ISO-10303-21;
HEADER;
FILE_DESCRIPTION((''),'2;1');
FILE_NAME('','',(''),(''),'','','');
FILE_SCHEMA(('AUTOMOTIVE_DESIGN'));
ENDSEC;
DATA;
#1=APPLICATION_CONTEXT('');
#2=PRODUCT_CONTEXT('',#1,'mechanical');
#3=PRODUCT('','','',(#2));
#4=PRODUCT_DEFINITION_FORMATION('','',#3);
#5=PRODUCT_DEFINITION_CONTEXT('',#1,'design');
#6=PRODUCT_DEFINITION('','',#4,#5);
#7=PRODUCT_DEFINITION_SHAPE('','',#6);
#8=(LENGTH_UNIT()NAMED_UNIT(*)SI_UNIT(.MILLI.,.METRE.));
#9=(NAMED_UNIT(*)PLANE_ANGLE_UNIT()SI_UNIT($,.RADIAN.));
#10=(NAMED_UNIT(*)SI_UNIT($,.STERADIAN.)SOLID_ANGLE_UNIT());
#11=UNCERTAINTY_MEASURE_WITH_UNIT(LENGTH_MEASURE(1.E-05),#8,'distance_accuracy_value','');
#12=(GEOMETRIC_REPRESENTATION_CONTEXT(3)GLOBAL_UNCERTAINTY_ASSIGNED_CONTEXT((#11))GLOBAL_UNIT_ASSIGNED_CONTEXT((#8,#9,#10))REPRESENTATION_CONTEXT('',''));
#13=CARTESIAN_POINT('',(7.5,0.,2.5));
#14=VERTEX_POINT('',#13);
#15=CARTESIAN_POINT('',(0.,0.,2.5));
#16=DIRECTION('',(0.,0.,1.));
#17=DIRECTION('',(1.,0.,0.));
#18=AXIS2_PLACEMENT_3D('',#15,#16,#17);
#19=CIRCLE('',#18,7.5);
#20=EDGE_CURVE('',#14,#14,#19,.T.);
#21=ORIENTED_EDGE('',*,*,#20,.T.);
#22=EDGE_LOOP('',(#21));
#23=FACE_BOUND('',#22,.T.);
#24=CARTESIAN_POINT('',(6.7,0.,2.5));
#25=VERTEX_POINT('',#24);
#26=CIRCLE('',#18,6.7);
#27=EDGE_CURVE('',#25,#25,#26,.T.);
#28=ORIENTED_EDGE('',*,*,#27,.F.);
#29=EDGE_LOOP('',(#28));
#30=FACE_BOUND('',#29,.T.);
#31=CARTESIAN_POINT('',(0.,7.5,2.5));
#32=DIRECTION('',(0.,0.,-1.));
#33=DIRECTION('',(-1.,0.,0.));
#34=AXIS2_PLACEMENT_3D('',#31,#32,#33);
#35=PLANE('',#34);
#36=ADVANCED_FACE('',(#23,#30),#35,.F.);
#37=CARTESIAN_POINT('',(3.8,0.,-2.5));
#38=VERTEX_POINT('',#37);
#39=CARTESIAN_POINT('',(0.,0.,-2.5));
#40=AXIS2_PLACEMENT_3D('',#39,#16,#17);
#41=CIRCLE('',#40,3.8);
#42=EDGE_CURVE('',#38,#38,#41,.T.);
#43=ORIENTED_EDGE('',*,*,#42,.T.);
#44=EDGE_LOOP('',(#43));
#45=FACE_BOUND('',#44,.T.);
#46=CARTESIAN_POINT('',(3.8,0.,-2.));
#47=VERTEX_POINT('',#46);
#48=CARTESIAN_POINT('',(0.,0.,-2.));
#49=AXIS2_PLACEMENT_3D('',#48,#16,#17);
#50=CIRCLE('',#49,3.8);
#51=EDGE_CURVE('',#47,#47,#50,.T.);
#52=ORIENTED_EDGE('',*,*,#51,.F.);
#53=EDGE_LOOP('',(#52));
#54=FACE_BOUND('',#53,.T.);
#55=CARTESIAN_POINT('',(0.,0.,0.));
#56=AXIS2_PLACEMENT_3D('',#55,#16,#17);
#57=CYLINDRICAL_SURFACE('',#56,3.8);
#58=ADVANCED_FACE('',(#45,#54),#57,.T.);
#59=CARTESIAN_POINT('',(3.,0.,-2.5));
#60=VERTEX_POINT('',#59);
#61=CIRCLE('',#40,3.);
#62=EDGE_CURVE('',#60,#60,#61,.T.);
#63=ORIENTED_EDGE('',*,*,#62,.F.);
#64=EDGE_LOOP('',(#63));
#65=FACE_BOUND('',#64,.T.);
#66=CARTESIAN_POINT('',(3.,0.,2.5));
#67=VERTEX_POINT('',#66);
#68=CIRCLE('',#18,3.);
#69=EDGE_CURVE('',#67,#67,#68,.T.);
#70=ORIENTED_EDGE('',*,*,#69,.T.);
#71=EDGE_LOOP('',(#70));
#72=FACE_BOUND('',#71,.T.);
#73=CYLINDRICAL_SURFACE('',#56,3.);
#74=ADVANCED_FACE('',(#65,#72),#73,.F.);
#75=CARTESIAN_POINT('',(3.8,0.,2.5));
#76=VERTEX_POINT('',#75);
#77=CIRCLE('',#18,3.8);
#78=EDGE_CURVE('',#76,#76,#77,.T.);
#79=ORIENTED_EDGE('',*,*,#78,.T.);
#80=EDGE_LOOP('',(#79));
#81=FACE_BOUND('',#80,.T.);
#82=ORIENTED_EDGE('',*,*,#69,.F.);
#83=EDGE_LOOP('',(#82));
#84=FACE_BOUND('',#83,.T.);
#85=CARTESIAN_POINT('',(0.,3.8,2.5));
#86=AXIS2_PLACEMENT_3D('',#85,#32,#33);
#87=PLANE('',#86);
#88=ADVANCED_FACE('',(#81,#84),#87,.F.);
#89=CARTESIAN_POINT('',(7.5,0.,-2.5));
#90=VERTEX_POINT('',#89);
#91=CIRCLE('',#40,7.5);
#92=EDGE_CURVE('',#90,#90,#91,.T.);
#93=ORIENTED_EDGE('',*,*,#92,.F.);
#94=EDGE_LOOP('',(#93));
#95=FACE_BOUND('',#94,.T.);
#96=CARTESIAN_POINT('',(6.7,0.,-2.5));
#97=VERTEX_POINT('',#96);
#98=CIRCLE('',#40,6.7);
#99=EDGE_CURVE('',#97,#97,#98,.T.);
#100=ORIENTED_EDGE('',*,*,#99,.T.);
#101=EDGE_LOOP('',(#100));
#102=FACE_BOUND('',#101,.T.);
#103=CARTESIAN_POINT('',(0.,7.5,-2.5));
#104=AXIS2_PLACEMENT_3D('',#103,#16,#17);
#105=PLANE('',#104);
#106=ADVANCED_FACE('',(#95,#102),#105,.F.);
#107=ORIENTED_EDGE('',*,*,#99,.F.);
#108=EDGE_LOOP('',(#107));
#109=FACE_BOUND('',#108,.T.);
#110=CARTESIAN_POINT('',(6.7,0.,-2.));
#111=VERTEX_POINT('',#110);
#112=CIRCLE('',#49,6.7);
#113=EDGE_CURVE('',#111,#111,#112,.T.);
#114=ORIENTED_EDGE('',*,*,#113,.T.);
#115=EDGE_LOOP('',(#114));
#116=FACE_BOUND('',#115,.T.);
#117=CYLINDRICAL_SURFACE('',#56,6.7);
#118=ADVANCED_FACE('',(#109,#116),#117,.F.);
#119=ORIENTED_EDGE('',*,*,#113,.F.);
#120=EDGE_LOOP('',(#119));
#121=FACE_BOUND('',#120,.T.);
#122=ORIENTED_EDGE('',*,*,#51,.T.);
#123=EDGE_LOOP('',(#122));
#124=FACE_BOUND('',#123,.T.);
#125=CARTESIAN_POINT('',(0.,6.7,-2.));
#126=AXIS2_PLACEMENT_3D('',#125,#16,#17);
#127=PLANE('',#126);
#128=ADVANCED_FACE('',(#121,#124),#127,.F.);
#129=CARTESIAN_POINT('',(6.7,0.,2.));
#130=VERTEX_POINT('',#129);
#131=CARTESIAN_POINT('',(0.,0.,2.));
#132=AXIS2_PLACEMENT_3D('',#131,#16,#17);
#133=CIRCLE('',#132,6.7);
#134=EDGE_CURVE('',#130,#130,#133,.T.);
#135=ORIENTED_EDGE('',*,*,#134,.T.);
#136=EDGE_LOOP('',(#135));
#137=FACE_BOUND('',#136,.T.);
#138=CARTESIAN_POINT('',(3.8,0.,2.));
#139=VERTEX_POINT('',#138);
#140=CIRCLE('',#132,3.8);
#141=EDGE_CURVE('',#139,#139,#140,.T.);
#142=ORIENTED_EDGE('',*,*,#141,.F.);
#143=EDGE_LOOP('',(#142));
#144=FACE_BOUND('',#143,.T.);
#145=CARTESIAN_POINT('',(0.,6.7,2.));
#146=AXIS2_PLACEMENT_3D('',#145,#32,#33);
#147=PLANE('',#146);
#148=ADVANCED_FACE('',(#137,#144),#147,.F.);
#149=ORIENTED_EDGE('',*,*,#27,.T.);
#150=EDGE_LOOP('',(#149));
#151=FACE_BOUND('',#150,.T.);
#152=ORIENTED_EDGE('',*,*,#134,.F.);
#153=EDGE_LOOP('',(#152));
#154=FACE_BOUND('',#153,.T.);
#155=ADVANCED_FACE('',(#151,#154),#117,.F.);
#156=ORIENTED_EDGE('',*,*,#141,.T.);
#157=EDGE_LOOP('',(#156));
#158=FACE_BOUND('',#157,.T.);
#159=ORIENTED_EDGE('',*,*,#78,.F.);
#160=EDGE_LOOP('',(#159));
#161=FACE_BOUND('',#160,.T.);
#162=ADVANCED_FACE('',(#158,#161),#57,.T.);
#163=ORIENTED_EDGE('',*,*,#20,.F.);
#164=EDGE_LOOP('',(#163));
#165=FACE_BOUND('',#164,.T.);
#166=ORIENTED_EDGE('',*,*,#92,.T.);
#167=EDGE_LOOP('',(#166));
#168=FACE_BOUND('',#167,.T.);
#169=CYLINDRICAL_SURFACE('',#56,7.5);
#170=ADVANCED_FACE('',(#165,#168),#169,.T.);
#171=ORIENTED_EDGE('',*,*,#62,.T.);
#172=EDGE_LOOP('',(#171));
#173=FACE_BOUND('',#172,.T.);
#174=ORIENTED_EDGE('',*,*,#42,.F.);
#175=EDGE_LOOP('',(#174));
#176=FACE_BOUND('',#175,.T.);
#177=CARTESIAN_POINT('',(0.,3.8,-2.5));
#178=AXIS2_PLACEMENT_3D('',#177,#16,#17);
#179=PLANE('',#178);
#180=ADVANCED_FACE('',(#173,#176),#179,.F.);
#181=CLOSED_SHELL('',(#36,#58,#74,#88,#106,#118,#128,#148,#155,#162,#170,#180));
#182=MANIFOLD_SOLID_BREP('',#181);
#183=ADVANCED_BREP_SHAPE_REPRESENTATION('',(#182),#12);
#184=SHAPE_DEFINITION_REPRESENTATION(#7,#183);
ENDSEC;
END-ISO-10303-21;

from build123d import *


with BuildPart() as part:
    # ｽｹｯﾁ1 → 回転1 (revolve)
    with BuildSketch(Plane(origin=(0, 0, 0), x_dir=(0, 0, -1), z_dir=(1, 0, 0)), mode=Mode.PRIVATE) as revolve_1_sk:
        Polygon((2.5, 7.5), (-2.5, 7.5), (-2.5, 6.7), (-2, 6.7), (-2, 3.8), (-2.5, 3.8), (-2.5, 3), (2.5, 3), (2.5, 3.8), (2, 3.8), (2, 6.7), (2.5, 6.7), align=None)
    revolve(revolve_1_sk.sketch.rotate(Axis((0, 0, 0), (0, 0, -1)), 90), axis=Axis((0, 0, 0), (0, 0, -1)))


solid = part.part
